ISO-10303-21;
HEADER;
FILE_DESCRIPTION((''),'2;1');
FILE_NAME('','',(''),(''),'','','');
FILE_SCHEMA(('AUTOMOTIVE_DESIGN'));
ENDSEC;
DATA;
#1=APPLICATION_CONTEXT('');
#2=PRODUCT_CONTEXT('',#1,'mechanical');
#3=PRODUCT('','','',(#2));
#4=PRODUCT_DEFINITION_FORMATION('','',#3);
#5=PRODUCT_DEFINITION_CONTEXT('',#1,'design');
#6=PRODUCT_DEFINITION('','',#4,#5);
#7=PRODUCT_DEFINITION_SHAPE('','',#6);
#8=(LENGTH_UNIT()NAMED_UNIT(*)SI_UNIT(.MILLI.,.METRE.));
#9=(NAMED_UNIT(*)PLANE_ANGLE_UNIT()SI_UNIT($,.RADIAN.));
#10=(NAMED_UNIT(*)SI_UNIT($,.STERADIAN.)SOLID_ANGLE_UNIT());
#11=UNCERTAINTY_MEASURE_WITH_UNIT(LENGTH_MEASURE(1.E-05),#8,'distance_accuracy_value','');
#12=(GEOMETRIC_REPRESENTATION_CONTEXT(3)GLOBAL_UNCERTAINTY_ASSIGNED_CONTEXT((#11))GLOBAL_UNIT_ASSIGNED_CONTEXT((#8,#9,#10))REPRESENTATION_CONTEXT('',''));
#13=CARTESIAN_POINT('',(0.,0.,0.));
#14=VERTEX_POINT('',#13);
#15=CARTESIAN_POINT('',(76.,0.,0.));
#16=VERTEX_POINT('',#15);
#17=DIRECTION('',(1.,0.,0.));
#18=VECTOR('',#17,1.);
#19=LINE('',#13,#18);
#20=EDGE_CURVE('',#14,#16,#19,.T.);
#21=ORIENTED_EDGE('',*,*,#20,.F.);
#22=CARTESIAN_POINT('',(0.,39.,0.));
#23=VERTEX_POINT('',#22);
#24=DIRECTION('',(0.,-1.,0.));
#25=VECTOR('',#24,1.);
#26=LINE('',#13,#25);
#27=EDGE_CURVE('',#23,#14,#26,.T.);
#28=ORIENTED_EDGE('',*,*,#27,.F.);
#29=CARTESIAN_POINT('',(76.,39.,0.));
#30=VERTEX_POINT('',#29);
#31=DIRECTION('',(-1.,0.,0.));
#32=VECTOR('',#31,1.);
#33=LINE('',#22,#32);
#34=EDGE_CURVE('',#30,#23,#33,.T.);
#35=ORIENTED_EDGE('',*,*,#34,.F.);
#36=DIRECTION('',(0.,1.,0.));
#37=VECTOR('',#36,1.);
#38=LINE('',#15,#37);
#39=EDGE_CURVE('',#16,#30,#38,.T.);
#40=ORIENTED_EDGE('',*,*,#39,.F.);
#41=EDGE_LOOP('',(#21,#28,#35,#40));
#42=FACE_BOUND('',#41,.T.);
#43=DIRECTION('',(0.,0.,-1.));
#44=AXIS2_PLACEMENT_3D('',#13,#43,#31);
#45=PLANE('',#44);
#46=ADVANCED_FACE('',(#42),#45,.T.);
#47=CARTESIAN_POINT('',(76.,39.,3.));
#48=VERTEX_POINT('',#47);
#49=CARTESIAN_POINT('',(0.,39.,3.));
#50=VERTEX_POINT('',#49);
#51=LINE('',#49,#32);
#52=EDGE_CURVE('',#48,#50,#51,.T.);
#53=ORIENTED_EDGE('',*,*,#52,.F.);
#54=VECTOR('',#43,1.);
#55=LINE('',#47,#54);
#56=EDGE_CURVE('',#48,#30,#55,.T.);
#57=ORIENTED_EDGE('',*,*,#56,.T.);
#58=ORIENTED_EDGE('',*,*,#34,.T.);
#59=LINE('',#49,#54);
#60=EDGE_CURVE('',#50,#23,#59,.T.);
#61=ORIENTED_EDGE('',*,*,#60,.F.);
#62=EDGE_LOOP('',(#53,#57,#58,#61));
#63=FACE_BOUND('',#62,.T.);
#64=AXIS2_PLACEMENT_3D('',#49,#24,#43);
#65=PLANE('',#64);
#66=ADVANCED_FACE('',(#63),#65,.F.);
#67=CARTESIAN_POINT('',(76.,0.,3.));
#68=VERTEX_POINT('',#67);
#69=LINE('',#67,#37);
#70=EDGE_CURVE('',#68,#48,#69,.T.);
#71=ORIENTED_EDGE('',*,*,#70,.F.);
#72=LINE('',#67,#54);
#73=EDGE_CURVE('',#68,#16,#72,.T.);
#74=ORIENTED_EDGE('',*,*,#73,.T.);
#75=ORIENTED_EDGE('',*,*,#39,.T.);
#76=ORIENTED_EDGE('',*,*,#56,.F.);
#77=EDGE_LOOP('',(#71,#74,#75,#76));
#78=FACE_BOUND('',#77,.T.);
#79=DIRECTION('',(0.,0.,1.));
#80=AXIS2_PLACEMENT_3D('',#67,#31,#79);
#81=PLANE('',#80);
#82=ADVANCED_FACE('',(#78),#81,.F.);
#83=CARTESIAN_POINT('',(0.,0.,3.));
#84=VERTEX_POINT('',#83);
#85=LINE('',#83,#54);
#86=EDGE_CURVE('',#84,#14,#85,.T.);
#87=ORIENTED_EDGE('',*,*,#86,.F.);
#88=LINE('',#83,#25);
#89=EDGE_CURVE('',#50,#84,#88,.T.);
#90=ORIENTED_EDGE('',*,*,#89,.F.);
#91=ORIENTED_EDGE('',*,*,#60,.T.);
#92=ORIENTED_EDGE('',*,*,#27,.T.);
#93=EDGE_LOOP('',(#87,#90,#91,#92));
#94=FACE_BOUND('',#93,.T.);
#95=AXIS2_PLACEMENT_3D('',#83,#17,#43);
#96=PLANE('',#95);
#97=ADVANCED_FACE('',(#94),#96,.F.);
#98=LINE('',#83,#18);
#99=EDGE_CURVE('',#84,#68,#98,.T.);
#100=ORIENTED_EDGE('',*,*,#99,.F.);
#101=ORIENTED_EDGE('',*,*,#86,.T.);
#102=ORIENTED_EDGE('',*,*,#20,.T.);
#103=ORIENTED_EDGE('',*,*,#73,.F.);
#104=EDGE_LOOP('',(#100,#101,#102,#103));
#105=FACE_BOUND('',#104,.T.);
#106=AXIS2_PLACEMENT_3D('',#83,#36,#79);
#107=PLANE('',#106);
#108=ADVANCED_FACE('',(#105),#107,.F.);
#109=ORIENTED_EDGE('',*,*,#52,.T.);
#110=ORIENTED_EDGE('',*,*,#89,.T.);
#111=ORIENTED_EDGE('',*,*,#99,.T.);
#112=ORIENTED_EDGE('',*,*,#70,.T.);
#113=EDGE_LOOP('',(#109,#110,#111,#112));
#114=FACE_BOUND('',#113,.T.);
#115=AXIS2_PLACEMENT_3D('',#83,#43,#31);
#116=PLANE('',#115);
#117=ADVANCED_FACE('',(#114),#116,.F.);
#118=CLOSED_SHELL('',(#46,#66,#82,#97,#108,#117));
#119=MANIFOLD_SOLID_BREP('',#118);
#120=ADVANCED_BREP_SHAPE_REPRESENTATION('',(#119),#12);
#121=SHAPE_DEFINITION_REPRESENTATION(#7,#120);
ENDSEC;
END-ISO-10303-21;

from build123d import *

# Parameters (mm, degrees)
SKETCH1_W           = 76
SKETCH1_H           = 39
BOSS_EXTRUDE1_DEPTH = 3


with BuildPart() as part:
    # Sketch1 → Boss-Extrude1 (new body)
    with BuildSketch(Plane.XY):
        with Locations((38, 19.5)):
            Rectangle(SKETCH1_W, SKETCH1_H)
    extrude(amount=BOSS_EXTRUDE1_DEPTH)


solid = part.part
